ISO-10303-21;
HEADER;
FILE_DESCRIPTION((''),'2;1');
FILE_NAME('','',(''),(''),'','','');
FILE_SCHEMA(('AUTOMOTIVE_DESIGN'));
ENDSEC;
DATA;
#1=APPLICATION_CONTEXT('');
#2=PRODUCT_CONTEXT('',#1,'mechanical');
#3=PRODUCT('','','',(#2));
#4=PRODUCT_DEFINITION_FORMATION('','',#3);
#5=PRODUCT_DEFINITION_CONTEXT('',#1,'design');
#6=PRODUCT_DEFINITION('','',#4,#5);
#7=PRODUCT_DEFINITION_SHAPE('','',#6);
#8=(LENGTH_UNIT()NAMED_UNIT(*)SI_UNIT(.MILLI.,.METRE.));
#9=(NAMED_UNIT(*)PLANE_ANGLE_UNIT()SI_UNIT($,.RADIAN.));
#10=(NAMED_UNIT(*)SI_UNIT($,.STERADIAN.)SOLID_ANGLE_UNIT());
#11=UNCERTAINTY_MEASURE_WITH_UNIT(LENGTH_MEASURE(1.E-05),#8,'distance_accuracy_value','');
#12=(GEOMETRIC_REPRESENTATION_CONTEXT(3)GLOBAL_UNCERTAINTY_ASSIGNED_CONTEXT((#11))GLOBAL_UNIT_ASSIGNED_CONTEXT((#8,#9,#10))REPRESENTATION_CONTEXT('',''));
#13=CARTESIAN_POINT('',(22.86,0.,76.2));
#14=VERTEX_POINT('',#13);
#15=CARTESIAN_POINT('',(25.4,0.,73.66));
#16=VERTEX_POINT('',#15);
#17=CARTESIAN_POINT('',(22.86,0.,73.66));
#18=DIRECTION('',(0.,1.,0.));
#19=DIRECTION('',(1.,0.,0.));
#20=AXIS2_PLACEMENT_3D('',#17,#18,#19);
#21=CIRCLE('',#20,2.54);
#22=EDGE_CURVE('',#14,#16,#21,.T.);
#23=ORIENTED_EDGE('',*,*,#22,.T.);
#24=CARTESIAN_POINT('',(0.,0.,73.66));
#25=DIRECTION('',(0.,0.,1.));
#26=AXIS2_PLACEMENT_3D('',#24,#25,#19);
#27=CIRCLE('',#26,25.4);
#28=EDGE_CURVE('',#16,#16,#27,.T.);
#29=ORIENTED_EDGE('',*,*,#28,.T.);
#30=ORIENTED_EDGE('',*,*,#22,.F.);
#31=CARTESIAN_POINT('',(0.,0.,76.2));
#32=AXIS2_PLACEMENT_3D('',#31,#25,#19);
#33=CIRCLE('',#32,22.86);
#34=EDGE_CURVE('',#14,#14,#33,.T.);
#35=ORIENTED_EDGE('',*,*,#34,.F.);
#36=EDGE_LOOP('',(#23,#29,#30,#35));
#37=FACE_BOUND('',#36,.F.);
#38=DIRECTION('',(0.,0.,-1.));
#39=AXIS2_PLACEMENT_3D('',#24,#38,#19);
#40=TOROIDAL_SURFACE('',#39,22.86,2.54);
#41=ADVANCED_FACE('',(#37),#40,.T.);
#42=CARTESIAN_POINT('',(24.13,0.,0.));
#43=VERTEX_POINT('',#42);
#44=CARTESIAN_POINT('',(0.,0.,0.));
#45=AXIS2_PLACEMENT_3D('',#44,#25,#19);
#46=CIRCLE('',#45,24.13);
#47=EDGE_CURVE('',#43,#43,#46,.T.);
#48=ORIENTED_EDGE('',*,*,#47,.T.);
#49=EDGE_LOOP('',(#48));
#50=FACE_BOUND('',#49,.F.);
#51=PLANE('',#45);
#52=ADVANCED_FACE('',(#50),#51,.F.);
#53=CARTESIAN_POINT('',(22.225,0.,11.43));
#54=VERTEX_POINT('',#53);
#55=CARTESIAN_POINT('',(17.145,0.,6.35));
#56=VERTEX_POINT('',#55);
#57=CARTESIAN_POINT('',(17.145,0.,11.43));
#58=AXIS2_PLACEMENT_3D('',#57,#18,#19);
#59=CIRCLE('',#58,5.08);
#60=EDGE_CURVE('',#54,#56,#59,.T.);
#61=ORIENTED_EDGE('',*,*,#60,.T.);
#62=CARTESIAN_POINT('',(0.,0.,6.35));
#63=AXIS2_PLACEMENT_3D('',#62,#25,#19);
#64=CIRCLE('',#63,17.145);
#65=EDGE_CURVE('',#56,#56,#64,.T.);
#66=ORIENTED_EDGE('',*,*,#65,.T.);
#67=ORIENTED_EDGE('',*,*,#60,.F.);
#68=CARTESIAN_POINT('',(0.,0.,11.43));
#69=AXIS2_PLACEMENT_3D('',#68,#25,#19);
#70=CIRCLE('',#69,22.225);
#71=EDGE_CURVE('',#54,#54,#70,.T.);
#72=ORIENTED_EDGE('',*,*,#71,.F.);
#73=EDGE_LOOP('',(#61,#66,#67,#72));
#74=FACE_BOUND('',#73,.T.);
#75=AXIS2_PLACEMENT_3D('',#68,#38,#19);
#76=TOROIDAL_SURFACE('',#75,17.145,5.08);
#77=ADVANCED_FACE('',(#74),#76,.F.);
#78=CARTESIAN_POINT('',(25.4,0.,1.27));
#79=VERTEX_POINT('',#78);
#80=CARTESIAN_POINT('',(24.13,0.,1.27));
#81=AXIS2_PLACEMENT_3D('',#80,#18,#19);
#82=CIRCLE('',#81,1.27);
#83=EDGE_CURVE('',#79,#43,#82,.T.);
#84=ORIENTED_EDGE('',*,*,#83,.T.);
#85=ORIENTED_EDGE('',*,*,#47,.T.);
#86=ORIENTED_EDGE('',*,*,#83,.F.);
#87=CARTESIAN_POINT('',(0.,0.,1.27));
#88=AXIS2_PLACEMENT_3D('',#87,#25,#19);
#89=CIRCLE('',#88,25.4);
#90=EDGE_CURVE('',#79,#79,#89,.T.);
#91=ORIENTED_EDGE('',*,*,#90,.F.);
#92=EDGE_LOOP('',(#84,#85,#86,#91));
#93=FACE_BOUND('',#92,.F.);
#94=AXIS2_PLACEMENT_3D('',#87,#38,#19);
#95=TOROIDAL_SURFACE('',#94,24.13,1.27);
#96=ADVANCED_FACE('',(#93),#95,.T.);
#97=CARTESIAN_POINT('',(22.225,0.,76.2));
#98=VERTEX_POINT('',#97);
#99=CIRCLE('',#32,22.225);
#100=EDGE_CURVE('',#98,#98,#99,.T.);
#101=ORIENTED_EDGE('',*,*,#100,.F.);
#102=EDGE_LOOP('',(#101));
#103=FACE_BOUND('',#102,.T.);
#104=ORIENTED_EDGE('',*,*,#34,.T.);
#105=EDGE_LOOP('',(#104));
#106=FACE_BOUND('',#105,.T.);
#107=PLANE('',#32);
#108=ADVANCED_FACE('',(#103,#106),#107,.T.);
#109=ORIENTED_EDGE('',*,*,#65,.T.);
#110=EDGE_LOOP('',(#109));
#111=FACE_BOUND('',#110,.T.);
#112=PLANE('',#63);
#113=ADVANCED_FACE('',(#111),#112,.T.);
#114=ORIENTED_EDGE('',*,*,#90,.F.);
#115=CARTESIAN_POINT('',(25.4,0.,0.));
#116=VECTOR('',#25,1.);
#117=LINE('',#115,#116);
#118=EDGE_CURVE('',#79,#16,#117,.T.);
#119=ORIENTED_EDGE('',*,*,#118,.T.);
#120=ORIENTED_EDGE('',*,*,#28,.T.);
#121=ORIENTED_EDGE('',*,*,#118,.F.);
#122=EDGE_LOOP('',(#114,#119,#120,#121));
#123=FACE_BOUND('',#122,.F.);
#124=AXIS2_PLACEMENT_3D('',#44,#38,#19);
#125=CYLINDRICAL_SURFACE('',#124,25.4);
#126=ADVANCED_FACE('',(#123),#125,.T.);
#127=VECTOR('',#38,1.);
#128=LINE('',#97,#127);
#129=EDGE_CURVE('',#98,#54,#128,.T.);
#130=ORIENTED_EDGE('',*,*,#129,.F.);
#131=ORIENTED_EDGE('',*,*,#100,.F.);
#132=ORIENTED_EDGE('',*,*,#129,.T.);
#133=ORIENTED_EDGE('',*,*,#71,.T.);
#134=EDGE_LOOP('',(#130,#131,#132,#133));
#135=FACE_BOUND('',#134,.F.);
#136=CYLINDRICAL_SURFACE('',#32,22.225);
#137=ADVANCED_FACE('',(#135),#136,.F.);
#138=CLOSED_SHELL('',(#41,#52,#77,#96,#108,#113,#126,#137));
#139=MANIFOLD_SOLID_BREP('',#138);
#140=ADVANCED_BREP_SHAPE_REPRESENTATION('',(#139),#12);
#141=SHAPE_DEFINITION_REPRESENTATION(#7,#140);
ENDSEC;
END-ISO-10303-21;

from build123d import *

# Parameters (mm, degrees)
F0_R     = 25.4
F1_DEPTH = 76.2
F2_R     = 22.225
F3_DEPTH = 69.85
F4_R     = 5.08
F5_R     = 2.54
F6_R     = 1.27


with BuildPart() as f1:
    # F0 (on Top) → F1 (new body)
    with BuildSketch(Plane.XY):
        Circle(F0_R)
    extrude(amount=F1_DEPTH)

    # F2 (on face) → F3 (cut)
    with BuildSketch(Plane.XY.offset(76.2)):
        Circle(F2_R)
    extrude(amount=-F3_DEPTH, mode=Mode.SUBTRACT)

    # F4
    f4_edges = [f1.edges().sort_by_distance(p)[0] for p in [
        (-22.225, 0, 6.35),
    ]]
    fillet(f4_edges, radius=F4_R)

    # F5
    f5_edges = [f1.edges().sort_by_distance(p)[0] for p in [
        (-25.4, 0, 76.2),
    ]]
    fillet(f5_edges, radius=F5_R)

    # F6
    f6_edges = [f1.edges().sort_by_distance(p)[0] for p in [
        (-25.4, 0, 0),
    ]]
    fillet(f6_edges, radius=F6_R)


solid = f1.part
